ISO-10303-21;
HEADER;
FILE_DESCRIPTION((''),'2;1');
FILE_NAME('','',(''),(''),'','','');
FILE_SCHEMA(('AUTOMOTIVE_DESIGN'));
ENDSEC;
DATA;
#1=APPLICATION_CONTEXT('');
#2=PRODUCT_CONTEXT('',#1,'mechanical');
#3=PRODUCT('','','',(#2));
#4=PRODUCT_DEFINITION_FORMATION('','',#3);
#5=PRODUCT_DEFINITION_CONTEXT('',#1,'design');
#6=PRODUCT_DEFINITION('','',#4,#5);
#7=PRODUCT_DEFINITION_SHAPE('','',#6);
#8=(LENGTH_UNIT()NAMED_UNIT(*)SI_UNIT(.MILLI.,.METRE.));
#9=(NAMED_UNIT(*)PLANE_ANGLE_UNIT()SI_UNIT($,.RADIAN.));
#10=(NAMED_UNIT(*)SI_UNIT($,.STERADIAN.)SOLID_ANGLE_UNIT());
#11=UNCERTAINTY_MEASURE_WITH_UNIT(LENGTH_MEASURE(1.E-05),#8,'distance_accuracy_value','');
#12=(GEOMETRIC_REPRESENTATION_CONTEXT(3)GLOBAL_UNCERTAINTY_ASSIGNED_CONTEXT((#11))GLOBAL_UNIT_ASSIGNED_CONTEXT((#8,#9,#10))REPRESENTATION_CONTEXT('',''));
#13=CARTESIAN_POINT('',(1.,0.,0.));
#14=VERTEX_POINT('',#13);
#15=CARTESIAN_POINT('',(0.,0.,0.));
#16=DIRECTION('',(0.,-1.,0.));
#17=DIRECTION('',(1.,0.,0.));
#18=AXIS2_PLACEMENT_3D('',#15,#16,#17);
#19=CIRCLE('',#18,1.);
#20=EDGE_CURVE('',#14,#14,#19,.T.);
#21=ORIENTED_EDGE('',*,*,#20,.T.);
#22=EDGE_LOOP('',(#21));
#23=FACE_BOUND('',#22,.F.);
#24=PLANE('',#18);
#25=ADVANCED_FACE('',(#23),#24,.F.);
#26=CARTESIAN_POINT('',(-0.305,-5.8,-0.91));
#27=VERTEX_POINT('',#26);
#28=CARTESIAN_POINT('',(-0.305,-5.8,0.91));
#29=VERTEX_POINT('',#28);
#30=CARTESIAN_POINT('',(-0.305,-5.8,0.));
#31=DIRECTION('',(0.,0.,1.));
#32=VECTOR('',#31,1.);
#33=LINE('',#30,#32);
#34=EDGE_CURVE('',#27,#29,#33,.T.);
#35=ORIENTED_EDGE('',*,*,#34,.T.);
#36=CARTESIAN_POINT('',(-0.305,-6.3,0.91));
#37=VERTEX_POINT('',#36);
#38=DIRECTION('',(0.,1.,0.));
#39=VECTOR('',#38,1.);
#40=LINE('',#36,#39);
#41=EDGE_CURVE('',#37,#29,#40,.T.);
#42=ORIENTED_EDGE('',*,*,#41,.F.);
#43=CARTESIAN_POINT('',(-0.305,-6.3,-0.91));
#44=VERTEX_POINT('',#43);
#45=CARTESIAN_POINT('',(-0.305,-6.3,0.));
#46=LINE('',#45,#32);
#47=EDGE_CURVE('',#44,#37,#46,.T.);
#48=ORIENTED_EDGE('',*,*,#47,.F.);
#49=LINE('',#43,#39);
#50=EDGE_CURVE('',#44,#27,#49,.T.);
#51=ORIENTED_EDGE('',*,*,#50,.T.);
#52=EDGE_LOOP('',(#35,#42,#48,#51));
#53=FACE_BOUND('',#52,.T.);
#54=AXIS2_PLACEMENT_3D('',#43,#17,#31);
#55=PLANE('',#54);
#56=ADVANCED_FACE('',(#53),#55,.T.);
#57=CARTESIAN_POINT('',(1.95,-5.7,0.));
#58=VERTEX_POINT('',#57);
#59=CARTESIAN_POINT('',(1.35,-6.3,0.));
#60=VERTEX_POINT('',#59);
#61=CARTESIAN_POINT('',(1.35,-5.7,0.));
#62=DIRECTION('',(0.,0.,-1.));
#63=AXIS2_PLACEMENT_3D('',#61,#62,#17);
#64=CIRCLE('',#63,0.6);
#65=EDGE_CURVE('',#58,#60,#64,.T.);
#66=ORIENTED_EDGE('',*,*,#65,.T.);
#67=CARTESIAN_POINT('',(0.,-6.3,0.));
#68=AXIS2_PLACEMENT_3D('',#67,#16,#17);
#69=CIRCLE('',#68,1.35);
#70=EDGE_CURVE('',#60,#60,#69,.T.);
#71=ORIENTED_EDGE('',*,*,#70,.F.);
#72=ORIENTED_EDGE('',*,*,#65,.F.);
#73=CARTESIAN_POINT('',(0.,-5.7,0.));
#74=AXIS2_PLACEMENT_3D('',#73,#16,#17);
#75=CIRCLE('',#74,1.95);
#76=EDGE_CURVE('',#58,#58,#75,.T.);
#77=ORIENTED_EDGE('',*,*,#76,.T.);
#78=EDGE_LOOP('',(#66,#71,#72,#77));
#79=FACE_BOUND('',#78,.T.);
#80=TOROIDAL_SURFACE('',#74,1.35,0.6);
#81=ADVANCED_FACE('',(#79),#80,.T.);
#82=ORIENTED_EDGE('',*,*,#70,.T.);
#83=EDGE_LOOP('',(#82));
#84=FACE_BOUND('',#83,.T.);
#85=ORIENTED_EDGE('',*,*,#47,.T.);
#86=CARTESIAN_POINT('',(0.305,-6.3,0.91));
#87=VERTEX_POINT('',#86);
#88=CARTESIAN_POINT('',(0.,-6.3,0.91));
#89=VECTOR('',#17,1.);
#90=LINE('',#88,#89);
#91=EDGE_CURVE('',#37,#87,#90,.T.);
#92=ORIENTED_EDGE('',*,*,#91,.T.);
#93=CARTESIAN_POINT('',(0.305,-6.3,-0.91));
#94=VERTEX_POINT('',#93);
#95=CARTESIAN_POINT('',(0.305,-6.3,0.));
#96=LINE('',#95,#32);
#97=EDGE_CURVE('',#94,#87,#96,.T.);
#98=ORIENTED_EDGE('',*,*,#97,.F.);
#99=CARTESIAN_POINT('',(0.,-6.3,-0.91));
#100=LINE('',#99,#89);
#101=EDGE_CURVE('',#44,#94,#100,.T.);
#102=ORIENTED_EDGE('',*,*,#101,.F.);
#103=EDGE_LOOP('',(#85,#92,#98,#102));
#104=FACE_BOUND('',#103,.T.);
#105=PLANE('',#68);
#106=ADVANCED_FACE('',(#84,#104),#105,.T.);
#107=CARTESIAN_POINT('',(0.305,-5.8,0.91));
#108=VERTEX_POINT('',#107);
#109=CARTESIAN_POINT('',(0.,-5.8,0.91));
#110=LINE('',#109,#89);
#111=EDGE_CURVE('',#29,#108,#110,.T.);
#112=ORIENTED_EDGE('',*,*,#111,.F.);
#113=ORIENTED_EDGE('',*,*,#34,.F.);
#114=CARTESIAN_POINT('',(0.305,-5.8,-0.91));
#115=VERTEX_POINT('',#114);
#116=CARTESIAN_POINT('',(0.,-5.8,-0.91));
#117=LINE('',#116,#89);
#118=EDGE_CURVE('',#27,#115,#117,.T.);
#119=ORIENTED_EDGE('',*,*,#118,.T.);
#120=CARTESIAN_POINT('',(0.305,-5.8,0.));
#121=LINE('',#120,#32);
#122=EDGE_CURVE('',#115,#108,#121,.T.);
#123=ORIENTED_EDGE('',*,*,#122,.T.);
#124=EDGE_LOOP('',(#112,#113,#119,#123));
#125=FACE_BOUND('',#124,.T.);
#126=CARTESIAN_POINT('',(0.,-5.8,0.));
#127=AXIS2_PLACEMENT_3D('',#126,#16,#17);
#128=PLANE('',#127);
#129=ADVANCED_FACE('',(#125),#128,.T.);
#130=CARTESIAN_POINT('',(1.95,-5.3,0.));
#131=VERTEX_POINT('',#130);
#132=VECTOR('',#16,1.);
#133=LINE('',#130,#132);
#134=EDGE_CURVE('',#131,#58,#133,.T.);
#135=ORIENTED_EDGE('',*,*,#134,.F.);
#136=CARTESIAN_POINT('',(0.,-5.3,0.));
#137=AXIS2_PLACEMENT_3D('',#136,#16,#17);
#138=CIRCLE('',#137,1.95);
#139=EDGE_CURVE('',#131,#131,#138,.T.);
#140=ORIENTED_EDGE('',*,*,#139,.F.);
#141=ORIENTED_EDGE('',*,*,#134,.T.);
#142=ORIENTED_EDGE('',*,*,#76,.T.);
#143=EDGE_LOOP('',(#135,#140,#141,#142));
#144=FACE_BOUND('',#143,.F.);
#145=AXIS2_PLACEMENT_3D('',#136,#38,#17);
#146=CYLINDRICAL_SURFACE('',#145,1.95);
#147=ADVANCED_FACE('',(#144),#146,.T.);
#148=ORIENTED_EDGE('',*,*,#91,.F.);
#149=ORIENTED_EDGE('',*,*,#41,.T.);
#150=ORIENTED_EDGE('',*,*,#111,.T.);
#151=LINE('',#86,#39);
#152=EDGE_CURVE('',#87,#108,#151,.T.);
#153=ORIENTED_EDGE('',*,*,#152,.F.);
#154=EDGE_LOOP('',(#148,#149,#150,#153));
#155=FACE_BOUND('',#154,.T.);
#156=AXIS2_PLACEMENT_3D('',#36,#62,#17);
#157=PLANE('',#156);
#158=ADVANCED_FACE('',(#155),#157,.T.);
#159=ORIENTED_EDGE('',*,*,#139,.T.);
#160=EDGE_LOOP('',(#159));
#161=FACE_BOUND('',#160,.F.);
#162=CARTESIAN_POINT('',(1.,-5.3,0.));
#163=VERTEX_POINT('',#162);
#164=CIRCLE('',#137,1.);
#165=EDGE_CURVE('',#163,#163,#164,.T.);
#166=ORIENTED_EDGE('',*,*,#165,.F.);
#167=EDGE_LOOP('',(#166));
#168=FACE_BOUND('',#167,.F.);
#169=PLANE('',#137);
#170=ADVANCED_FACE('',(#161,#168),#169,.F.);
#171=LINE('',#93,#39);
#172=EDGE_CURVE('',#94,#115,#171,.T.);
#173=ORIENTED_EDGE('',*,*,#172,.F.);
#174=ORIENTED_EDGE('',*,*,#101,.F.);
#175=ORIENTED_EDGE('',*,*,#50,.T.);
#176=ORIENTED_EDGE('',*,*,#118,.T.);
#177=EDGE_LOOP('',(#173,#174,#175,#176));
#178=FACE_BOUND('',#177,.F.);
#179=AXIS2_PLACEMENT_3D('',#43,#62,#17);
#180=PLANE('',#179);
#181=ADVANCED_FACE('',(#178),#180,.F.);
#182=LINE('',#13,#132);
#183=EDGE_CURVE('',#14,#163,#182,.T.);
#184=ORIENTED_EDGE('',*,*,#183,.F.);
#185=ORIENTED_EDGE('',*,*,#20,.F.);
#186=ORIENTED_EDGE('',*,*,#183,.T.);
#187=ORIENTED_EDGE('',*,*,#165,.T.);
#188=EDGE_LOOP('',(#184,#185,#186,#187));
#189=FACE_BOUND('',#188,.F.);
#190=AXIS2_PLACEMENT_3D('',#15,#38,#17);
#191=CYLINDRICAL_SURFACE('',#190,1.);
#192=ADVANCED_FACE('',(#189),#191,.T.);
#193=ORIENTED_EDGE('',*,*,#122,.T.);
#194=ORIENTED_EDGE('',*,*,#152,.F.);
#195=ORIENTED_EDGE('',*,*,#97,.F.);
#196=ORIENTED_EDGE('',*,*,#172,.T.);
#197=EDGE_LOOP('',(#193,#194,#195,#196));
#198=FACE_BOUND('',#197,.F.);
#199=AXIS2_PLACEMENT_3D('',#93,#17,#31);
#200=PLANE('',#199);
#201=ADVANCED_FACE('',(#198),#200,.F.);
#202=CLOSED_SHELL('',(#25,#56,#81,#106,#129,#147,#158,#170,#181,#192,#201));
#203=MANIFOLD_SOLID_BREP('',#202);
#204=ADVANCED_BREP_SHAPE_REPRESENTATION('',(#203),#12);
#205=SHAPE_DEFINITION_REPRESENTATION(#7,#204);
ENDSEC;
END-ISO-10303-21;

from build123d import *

# Parameters (mm, degrees)
F0_R     = 1
F1_DEPTH = 5.3
F3_R     = 1.95
F4_DEPTH = 1
F6_W     = 0.61
F6_H     = 1.82
F7_DEPTH = 0.5
F8_R     = 0.6


with BuildPart() as f1:
    # F0 (on Front) → F1 (new body)
    with BuildSketch(Plane.XZ):
        Circle(F0_R)
    extrude(amount=F1_DEPTH)

    # F3 (on offset) → F4 (join)
    with BuildSketch(Plane.XZ.offset(5.3)):
        Circle(F3_R)
    extrude(amount=F4_DEPTH)

    # F6 (on offset) → F7 (cut)
    with BuildSketch(Plane.XZ.offset(6.3)):
        Rectangle(F6_W, F6_H)
    extrude(amount=-F7_DEPTH, mode=Mode.SUBTRACT)

    # F8
    f8_edges = [f1.edges().sort_by_distance(p)[0] for p in [
        (-1.95, -6.3, 0),
    ]]
    fillet(f8_edges, radius=F8_R)


solid = f1.part
